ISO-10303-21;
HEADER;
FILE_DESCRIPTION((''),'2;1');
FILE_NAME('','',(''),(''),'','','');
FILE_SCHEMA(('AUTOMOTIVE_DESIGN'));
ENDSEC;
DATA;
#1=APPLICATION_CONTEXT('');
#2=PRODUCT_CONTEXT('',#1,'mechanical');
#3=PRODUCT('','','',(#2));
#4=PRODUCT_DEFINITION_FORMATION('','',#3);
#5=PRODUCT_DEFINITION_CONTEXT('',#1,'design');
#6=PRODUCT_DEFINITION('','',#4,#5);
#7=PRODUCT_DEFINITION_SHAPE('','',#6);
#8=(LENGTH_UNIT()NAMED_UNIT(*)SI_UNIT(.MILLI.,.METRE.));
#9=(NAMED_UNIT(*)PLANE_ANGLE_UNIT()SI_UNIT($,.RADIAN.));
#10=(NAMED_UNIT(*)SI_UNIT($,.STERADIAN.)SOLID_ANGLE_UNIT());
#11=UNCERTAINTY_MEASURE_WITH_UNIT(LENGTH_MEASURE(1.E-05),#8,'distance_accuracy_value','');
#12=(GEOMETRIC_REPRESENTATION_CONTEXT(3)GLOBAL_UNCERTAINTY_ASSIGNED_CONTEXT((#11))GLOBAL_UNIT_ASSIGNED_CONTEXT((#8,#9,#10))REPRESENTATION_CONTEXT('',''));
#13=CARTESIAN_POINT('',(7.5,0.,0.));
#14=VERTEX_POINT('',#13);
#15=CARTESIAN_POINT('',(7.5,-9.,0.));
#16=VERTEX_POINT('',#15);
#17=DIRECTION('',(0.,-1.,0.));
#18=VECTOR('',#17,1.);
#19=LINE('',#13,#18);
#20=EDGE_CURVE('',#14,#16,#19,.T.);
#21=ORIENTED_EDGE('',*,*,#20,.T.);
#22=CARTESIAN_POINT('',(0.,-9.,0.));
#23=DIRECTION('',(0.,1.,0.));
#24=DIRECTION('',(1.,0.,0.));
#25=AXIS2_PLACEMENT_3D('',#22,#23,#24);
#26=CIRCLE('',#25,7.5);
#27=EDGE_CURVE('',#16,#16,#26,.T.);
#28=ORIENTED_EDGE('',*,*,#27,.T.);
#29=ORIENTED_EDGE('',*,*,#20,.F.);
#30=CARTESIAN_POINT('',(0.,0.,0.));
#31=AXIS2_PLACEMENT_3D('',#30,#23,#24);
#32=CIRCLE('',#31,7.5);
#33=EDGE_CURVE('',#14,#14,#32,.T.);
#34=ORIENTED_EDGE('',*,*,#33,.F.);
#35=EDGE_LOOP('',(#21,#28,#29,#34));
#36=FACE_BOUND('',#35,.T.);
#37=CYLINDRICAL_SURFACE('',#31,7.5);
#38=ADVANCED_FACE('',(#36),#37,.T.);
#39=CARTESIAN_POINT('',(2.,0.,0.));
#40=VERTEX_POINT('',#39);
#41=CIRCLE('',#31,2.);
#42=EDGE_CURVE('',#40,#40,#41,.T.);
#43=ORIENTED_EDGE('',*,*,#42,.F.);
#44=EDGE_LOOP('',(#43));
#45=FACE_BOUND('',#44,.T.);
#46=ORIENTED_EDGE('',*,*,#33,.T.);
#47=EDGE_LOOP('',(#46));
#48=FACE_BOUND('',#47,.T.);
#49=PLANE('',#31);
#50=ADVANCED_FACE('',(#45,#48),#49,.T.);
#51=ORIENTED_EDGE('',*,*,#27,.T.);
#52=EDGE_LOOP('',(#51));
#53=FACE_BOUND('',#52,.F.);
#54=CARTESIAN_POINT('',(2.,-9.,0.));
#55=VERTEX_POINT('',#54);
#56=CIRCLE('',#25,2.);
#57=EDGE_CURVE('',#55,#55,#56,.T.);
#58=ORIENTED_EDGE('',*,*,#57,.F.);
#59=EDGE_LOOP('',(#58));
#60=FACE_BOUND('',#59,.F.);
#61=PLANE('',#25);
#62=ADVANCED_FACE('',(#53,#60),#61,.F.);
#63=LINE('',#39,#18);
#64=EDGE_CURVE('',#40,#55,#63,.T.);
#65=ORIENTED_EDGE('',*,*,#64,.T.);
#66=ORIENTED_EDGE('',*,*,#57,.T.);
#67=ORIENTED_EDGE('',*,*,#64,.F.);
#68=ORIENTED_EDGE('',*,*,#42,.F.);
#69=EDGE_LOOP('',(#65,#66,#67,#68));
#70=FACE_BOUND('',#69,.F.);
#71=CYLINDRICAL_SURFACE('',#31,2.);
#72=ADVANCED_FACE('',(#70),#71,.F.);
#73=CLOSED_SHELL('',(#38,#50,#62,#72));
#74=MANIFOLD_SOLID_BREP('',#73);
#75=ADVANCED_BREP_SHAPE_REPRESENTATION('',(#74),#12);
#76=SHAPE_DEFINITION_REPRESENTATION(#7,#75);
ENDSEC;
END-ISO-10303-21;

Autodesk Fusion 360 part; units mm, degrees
sketch "Boceto1" plane through (0, 0, 0) normal (0, 1, 0) x (1, 0, 0)
  circle A0 centre (0, 0) radius 7.5
  circle A1 centre (0, 0) radius 2
  dimension "d1" = 15
  dimension "d4" = 4
extrude "Extruir1" add sketch "Boceto1" against normal blind 9
